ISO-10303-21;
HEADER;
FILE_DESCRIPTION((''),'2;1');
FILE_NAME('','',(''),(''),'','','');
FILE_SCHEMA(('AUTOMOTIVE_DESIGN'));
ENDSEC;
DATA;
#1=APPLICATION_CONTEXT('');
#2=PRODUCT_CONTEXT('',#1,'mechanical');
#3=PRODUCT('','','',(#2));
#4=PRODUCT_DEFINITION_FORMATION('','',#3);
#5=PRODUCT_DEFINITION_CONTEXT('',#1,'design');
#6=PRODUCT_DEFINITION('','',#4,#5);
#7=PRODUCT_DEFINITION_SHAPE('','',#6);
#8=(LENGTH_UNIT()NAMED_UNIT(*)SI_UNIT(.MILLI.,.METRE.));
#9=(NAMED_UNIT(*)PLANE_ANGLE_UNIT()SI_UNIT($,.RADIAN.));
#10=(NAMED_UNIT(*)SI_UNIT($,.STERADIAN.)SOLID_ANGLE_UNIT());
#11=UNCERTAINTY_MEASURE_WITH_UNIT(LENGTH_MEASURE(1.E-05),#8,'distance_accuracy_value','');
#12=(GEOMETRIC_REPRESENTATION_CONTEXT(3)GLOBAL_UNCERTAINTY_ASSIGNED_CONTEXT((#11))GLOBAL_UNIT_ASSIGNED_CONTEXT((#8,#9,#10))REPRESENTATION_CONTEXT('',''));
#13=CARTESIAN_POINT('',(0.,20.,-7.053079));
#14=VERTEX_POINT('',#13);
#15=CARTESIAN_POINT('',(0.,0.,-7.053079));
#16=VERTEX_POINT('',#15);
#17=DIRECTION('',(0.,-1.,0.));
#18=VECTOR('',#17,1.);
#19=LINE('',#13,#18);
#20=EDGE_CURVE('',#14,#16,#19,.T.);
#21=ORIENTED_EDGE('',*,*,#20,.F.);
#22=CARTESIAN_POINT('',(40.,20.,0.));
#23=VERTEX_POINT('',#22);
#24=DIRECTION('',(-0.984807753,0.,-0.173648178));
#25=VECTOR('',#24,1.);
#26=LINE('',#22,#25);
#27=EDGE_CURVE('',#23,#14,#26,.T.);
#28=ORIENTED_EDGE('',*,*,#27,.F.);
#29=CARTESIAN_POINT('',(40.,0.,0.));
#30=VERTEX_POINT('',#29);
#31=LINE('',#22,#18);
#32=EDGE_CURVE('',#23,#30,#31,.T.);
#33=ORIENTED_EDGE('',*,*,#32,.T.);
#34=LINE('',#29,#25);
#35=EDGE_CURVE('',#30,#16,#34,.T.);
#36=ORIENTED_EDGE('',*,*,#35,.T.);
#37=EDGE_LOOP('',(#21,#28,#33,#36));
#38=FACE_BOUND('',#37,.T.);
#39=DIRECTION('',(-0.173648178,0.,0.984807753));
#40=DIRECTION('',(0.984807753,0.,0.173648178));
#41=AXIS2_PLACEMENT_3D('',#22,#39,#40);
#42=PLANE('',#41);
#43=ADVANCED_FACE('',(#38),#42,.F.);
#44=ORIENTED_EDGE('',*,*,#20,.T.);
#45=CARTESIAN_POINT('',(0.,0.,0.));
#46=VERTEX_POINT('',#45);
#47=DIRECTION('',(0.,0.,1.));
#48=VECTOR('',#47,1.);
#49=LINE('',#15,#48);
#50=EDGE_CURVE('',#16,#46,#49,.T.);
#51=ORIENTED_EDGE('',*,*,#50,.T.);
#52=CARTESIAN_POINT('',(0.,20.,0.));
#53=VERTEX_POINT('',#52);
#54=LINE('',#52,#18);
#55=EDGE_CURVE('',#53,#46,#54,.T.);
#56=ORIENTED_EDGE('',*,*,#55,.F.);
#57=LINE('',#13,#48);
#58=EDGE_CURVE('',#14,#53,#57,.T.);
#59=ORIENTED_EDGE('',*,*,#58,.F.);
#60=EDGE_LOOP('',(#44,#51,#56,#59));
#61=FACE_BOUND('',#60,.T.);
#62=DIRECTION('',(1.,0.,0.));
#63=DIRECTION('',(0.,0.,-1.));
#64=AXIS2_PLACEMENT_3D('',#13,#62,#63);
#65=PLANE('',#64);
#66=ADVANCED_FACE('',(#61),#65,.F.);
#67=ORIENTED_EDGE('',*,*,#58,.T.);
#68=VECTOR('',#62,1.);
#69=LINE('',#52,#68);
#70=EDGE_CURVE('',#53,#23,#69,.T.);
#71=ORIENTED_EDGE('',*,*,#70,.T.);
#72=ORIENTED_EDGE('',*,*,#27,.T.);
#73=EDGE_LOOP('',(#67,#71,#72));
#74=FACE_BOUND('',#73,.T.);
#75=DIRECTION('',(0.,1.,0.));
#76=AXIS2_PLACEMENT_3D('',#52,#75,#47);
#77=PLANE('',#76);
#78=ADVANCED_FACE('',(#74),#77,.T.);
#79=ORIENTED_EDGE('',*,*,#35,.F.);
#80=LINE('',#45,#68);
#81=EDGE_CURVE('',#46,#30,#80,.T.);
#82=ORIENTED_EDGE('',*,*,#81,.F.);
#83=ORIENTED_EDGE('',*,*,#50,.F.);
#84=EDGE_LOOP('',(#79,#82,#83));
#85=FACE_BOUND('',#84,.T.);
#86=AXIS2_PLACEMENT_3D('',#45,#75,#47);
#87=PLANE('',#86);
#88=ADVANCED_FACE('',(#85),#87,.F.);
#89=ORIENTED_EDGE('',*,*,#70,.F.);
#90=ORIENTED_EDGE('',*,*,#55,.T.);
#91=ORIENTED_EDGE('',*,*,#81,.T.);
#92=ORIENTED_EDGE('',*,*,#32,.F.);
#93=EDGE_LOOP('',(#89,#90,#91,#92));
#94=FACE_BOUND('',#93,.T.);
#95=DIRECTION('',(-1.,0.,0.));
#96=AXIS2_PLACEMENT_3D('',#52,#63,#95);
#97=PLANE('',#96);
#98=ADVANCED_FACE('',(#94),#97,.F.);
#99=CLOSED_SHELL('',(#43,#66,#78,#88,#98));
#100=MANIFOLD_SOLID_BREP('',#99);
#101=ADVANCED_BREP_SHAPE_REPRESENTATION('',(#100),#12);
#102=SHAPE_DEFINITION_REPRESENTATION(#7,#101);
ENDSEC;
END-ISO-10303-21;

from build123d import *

# Parameters (mm, degrees)
BOSS_EXTRUDE1_DEPTH = 20


with BuildPart() as part:
    # Sketch1 → Boss-Extrude1 (new body)
    with BuildSketch(Plane(origin=(0, 0, 0), x_dir=(1, 0, 0), z_dir=(0, 1, 0))):
        Polygon((0, 0), (40, 0), (0, 7.053079228), align=None)
    extrude(amount=BOSS_EXTRUDE1_DEPTH)


solid = part.part
